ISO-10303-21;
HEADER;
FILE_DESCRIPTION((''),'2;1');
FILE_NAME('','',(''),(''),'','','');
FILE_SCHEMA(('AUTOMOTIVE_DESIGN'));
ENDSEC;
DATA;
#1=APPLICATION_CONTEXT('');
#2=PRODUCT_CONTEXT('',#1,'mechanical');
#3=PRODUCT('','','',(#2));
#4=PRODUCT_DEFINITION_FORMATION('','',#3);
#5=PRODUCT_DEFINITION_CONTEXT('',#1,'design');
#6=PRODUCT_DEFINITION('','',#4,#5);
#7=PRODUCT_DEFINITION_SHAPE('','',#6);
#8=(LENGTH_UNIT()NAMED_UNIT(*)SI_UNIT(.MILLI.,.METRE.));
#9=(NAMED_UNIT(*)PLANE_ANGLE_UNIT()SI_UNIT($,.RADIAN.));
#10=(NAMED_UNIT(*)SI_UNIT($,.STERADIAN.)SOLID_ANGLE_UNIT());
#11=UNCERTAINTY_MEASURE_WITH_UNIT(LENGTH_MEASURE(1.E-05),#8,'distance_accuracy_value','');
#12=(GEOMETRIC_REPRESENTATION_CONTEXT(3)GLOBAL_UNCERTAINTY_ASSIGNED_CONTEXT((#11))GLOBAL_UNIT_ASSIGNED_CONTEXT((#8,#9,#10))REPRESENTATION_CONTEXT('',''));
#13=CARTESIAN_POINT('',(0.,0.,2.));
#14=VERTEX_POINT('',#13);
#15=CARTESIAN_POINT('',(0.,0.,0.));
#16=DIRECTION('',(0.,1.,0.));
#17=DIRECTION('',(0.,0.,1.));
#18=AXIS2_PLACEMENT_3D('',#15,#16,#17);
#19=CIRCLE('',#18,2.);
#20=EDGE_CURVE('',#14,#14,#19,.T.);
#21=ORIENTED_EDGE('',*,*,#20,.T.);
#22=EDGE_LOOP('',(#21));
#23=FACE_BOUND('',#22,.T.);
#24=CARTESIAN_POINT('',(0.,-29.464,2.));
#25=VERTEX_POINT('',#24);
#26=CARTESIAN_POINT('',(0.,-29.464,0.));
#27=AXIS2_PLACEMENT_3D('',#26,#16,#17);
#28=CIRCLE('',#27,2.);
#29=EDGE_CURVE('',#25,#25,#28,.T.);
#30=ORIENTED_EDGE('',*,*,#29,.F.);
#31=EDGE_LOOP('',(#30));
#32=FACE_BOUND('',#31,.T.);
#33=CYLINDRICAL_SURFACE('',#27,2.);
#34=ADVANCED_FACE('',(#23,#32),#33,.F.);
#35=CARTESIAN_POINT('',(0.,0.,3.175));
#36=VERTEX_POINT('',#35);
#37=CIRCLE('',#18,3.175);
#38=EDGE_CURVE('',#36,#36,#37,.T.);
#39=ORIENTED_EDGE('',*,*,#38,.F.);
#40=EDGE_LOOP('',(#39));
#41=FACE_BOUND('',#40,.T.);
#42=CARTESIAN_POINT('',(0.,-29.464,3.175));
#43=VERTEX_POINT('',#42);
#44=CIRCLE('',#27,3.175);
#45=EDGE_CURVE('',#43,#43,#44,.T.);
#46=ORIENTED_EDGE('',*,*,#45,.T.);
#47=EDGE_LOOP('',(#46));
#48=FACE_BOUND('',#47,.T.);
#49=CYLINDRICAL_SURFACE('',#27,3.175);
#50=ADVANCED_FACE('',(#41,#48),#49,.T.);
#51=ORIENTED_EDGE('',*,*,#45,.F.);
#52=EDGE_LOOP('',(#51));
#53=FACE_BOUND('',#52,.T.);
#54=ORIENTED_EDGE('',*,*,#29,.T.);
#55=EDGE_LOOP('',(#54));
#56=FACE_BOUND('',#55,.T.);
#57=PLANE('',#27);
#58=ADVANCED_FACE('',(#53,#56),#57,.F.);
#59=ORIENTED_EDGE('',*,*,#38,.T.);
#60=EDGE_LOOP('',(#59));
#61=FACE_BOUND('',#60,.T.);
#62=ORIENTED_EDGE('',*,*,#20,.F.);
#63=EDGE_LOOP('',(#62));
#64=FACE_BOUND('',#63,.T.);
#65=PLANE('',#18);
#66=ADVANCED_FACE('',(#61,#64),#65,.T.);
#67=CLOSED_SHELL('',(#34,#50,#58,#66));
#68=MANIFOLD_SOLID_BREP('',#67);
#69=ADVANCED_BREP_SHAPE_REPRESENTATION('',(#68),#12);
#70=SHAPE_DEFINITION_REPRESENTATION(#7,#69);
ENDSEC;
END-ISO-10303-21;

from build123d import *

# Parameters (mm, degrees)
SKETCH1_R           = 3.175
SKETCH1_R_2         = 2
BOSS_EXTRUDE1_DEPTH = 29.464


with BuildPart() as part:
    # Sketch1 → Boss-Extrude1 (new body)
    with BuildSketch(Plane(origin=(0, 0, 0), x_dir=(1, 0, 0), z_dir=(0, 1, 0))):
        Circle(SKETCH1_R)
        Circle(SKETCH1_R_2, mode=Mode.SUBTRACT)
    extrude(amount=-BOSS_EXTRUDE1_DEPTH)


solid = part.part
